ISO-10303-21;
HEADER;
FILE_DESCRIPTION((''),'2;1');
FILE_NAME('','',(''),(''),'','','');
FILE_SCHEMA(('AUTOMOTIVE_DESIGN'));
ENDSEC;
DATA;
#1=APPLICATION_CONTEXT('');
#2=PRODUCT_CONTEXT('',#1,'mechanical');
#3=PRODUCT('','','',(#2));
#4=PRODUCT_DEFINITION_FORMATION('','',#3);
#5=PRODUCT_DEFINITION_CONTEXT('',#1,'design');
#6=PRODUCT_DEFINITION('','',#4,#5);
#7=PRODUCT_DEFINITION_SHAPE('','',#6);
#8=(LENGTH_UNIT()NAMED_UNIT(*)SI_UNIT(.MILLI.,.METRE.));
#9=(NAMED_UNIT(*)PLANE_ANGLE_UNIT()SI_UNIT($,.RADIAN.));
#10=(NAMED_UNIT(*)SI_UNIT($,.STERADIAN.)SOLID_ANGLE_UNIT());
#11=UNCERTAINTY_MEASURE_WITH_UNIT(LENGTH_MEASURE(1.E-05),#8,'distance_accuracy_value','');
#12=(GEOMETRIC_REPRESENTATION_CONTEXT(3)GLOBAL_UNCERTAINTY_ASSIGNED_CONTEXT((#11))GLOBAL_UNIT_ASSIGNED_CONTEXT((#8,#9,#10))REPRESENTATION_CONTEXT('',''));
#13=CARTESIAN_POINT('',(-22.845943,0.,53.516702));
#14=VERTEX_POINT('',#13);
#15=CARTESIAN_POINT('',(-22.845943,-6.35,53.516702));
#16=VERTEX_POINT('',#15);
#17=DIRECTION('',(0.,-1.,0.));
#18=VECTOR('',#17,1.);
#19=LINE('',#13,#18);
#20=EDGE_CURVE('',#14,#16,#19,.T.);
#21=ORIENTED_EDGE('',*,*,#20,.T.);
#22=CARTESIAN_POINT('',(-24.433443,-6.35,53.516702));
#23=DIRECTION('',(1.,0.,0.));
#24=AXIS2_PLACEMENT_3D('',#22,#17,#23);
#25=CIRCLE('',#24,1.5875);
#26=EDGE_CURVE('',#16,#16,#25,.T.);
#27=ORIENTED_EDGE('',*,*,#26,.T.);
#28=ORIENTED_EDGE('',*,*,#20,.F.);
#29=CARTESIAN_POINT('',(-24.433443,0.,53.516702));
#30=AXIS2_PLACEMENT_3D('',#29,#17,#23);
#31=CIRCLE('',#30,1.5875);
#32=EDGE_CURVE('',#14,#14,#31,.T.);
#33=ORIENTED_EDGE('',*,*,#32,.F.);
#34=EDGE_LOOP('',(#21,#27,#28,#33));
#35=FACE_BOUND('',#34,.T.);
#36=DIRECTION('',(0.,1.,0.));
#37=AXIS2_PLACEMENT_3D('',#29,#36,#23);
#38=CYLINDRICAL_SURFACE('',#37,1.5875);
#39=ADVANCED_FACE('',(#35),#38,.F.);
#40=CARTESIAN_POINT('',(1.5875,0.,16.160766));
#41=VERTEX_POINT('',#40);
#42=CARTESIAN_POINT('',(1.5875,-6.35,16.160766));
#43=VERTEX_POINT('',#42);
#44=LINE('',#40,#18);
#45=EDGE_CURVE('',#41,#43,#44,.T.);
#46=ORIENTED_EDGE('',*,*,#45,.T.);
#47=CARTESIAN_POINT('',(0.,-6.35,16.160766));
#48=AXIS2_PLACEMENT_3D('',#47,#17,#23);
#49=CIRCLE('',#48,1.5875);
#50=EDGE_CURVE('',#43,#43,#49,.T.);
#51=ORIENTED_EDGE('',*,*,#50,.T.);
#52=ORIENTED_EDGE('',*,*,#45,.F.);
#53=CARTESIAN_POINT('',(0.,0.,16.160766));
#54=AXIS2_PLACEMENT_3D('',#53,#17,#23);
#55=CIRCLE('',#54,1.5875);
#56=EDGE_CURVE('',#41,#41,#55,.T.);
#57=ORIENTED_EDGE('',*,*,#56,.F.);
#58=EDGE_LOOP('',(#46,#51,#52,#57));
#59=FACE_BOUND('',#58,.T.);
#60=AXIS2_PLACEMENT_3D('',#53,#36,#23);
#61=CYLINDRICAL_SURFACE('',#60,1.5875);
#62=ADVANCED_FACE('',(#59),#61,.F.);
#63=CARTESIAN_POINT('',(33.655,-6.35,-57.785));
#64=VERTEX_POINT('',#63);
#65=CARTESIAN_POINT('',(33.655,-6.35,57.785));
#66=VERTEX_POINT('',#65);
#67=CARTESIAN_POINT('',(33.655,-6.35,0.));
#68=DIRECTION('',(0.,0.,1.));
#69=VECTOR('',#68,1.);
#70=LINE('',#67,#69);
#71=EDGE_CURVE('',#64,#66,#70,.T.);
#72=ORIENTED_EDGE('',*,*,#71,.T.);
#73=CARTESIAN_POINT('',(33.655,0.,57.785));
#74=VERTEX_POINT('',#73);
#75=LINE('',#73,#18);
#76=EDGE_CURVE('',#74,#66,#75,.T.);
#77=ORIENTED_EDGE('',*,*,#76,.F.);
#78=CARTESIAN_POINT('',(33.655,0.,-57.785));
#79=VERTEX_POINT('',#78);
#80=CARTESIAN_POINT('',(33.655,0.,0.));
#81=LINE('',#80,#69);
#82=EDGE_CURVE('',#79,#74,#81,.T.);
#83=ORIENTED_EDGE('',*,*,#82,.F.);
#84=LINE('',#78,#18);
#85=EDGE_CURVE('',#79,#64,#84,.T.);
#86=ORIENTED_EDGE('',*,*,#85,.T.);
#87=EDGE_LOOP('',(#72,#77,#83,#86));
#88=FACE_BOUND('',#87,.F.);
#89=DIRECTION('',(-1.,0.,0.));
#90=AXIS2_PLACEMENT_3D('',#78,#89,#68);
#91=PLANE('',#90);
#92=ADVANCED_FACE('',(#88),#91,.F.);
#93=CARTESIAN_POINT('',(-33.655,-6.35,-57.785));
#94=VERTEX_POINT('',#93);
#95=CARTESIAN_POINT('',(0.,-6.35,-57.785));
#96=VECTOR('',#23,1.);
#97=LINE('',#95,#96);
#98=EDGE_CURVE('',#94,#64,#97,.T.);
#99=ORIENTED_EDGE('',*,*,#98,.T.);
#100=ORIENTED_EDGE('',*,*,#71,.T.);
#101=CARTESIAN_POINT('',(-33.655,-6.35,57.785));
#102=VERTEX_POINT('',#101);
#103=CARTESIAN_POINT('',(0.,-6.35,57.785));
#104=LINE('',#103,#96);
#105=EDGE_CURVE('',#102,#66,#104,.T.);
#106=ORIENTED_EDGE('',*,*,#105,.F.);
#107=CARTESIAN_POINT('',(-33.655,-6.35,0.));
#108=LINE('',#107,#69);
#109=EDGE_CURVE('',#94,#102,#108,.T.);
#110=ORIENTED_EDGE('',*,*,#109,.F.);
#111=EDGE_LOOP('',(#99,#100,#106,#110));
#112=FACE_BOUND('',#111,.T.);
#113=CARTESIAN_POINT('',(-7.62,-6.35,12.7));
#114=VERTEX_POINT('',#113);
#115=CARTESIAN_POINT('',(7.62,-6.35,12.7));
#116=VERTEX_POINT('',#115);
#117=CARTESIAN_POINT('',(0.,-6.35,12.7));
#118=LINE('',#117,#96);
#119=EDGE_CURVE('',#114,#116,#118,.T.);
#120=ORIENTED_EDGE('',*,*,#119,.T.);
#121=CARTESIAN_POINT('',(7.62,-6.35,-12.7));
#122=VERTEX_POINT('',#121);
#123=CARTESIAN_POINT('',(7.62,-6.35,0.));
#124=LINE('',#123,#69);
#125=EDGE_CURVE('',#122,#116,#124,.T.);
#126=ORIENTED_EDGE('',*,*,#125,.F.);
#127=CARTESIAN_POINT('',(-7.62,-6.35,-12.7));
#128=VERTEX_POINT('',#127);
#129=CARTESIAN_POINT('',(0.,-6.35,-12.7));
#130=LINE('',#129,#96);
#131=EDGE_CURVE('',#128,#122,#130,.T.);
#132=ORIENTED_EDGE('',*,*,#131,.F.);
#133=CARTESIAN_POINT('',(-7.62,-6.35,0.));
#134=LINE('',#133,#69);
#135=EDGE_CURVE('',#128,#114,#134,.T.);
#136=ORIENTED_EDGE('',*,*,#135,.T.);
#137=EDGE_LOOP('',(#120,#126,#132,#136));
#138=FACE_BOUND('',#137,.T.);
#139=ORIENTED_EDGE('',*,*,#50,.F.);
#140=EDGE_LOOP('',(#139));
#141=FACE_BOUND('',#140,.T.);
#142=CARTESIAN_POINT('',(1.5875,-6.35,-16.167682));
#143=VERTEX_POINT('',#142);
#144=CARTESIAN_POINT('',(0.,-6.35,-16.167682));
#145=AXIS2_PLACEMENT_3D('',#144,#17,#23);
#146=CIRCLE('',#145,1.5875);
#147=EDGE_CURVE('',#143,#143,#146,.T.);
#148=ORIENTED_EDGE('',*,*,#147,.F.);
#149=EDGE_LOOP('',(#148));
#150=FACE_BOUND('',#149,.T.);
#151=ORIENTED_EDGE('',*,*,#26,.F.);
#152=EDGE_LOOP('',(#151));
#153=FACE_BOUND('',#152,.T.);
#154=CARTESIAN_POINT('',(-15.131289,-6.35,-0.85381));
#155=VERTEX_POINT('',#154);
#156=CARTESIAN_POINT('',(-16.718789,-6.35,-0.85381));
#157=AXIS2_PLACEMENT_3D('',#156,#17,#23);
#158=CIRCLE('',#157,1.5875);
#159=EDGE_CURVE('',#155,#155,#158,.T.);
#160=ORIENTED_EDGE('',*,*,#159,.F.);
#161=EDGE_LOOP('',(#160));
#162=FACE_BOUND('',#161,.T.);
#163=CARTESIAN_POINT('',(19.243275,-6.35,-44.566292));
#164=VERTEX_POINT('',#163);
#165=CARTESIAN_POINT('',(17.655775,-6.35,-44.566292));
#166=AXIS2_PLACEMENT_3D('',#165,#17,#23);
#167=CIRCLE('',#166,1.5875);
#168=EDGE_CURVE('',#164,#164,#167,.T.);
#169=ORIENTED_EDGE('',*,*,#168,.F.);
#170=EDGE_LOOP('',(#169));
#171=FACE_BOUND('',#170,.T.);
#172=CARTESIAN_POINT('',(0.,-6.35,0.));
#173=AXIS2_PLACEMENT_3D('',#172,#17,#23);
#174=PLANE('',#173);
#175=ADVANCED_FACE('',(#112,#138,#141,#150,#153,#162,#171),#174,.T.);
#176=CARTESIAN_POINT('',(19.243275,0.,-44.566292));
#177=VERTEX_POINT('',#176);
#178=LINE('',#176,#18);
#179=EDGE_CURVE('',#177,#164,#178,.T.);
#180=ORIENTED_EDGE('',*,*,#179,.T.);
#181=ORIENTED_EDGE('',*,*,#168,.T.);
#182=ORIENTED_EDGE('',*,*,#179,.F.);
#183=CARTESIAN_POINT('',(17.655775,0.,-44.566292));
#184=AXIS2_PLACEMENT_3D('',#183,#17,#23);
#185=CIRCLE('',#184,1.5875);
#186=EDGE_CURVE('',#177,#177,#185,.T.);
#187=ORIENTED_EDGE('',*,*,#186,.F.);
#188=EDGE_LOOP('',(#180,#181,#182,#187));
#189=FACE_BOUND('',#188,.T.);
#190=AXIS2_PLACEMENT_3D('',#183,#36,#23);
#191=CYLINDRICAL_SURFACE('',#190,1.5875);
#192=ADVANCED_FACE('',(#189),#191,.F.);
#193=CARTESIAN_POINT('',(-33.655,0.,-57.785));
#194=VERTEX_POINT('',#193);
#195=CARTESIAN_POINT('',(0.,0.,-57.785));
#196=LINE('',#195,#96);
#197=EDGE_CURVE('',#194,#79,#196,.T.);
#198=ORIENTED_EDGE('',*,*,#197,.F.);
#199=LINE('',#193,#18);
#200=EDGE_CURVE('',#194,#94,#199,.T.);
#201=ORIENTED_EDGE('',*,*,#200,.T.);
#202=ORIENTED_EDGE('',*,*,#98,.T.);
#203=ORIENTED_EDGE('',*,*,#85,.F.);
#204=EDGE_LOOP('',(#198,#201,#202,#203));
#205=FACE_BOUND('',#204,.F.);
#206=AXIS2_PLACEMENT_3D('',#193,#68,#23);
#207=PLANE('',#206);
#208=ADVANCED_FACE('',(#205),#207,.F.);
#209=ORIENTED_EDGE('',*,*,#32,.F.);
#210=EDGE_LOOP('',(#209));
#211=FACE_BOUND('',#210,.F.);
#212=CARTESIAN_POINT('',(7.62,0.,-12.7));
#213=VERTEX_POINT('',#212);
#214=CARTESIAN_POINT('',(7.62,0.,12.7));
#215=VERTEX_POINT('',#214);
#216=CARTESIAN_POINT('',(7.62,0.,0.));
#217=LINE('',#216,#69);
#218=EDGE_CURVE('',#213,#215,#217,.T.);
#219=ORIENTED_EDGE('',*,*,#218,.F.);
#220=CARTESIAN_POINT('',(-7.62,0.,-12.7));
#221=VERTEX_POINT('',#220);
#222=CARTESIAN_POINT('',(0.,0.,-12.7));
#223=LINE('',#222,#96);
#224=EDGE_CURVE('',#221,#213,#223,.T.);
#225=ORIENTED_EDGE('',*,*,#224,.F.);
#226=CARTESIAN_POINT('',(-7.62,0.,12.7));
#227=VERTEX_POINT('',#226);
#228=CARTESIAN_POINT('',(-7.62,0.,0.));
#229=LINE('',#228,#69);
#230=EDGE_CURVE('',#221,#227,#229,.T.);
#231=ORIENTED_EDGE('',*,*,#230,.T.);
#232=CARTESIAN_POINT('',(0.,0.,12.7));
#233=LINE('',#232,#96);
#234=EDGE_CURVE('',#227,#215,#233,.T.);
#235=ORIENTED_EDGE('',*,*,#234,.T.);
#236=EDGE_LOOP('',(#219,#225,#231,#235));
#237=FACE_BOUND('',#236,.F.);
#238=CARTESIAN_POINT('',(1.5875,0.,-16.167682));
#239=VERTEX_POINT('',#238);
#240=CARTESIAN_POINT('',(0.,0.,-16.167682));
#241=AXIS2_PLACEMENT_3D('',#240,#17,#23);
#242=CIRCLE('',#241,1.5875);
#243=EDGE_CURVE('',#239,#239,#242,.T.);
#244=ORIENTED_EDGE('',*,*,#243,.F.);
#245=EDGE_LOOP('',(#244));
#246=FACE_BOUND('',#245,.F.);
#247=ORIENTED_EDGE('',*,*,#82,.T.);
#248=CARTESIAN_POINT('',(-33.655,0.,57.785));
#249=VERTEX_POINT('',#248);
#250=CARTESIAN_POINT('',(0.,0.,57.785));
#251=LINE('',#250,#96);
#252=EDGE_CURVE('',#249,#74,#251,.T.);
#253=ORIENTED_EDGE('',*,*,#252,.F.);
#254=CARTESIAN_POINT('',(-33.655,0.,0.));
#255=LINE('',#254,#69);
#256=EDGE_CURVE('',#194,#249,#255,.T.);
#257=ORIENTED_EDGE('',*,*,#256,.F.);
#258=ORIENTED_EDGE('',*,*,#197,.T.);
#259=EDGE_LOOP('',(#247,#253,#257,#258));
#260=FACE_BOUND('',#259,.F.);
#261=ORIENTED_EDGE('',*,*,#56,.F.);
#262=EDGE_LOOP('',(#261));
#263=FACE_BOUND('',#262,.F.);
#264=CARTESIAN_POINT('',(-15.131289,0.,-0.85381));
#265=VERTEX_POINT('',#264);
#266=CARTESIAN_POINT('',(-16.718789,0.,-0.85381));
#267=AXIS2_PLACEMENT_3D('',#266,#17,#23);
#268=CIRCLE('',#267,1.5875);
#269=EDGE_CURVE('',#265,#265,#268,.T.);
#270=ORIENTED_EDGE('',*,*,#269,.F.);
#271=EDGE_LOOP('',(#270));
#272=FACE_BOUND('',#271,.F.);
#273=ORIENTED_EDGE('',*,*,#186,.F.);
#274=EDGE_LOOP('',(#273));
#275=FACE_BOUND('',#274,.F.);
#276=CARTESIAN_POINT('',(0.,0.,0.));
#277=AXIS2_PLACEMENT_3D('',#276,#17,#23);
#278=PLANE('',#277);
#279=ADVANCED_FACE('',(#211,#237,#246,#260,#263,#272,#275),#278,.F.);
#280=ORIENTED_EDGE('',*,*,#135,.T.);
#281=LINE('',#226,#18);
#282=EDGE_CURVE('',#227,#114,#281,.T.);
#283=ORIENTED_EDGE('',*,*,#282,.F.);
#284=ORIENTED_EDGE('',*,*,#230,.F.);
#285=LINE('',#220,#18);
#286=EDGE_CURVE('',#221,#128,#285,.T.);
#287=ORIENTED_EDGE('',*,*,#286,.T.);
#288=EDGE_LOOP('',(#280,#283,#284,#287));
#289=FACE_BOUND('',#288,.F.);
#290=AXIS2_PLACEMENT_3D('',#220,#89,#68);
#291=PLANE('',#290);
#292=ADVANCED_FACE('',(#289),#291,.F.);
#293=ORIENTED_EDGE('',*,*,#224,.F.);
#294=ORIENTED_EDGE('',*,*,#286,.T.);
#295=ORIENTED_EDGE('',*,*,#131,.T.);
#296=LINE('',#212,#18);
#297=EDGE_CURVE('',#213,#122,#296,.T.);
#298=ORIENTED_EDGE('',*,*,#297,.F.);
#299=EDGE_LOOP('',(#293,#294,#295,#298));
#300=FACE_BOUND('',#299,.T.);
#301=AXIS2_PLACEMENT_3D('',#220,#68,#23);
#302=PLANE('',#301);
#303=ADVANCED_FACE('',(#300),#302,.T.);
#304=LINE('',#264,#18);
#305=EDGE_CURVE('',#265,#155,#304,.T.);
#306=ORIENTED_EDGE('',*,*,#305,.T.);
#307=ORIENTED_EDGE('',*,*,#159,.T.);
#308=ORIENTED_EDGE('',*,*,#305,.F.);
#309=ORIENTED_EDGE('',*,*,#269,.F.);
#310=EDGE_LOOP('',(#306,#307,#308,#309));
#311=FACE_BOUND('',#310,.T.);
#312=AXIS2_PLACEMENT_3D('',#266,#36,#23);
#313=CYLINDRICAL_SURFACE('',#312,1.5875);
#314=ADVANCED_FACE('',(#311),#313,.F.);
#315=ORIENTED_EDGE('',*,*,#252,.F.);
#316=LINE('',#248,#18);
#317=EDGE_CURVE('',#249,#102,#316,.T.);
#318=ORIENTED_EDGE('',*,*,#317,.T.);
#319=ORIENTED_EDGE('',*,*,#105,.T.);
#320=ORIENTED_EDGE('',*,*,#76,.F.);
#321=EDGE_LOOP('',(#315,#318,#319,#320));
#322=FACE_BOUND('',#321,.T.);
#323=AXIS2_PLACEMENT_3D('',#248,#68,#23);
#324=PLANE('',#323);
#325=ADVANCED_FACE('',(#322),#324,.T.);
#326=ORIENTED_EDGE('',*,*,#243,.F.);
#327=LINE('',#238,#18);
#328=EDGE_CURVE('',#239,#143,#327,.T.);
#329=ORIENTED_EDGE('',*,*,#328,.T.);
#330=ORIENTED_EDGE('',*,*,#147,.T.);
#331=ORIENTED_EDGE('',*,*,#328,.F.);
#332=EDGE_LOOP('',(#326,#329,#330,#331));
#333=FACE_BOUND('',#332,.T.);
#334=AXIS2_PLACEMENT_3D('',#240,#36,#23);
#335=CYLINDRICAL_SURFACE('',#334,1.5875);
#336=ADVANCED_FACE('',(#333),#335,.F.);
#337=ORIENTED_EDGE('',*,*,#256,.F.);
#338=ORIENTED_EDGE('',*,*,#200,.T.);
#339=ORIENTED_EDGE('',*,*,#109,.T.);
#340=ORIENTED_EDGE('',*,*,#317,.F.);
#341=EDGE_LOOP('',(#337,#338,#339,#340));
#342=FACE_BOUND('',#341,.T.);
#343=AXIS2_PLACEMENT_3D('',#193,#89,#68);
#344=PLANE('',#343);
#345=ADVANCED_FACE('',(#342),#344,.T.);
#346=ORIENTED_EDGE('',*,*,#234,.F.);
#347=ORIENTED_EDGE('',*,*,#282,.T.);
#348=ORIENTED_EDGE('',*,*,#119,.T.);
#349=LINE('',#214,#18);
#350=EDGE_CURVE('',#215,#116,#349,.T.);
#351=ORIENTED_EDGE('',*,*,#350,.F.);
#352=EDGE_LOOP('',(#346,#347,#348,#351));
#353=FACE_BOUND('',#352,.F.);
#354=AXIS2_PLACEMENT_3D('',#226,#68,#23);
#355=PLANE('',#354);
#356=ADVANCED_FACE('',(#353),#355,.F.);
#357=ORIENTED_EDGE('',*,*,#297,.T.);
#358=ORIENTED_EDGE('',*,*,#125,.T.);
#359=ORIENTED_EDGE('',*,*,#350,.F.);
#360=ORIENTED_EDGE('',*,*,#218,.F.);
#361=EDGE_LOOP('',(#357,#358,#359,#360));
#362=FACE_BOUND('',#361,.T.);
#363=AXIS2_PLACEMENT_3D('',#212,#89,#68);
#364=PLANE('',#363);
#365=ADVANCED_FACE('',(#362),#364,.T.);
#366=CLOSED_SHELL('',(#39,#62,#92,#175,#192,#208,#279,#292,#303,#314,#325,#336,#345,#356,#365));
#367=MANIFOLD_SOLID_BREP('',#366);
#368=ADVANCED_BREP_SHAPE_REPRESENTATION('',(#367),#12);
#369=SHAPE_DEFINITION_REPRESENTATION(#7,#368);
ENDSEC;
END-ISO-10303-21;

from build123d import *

# Parameters (mm, degrees)
F0_W     = 67.31
F0_H     = 115.57
F0_R     = 1.5875
F0_W_2   = 15.24
F0_H_2   = 25.4
F1_DEPTH = 6.35


with BuildPart() as f1:
    # F0 (on Front) → F1 (new body)
    with BuildSketch(Plane.XZ):
        Rectangle(F0_W, F0_H)
        with Locations((-16.718789, -0.85381)):
            Circle(F0_R, mode=Mode.SUBTRACT)
        with Locations((17.655775, -44.566292)):
            Circle(F0_R, mode=Mode.SUBTRACT)
        with Locations((0, -16.167682)):
            Circle(F0_R, mode=Mode.SUBTRACT)
        with Locations((-24.433443, 53.516702)):
            Circle(F0_R, mode=Mode.SUBTRACT)
        Rectangle(F0_W_2, F0_H_2, mode=Mode.SUBTRACT)
        with Locations((0, 16.160766)):
            Circle(F0_R, mode=Mode.SUBTRACT)
    extrude(amount=F1_DEPTH)


solid = f1.part
